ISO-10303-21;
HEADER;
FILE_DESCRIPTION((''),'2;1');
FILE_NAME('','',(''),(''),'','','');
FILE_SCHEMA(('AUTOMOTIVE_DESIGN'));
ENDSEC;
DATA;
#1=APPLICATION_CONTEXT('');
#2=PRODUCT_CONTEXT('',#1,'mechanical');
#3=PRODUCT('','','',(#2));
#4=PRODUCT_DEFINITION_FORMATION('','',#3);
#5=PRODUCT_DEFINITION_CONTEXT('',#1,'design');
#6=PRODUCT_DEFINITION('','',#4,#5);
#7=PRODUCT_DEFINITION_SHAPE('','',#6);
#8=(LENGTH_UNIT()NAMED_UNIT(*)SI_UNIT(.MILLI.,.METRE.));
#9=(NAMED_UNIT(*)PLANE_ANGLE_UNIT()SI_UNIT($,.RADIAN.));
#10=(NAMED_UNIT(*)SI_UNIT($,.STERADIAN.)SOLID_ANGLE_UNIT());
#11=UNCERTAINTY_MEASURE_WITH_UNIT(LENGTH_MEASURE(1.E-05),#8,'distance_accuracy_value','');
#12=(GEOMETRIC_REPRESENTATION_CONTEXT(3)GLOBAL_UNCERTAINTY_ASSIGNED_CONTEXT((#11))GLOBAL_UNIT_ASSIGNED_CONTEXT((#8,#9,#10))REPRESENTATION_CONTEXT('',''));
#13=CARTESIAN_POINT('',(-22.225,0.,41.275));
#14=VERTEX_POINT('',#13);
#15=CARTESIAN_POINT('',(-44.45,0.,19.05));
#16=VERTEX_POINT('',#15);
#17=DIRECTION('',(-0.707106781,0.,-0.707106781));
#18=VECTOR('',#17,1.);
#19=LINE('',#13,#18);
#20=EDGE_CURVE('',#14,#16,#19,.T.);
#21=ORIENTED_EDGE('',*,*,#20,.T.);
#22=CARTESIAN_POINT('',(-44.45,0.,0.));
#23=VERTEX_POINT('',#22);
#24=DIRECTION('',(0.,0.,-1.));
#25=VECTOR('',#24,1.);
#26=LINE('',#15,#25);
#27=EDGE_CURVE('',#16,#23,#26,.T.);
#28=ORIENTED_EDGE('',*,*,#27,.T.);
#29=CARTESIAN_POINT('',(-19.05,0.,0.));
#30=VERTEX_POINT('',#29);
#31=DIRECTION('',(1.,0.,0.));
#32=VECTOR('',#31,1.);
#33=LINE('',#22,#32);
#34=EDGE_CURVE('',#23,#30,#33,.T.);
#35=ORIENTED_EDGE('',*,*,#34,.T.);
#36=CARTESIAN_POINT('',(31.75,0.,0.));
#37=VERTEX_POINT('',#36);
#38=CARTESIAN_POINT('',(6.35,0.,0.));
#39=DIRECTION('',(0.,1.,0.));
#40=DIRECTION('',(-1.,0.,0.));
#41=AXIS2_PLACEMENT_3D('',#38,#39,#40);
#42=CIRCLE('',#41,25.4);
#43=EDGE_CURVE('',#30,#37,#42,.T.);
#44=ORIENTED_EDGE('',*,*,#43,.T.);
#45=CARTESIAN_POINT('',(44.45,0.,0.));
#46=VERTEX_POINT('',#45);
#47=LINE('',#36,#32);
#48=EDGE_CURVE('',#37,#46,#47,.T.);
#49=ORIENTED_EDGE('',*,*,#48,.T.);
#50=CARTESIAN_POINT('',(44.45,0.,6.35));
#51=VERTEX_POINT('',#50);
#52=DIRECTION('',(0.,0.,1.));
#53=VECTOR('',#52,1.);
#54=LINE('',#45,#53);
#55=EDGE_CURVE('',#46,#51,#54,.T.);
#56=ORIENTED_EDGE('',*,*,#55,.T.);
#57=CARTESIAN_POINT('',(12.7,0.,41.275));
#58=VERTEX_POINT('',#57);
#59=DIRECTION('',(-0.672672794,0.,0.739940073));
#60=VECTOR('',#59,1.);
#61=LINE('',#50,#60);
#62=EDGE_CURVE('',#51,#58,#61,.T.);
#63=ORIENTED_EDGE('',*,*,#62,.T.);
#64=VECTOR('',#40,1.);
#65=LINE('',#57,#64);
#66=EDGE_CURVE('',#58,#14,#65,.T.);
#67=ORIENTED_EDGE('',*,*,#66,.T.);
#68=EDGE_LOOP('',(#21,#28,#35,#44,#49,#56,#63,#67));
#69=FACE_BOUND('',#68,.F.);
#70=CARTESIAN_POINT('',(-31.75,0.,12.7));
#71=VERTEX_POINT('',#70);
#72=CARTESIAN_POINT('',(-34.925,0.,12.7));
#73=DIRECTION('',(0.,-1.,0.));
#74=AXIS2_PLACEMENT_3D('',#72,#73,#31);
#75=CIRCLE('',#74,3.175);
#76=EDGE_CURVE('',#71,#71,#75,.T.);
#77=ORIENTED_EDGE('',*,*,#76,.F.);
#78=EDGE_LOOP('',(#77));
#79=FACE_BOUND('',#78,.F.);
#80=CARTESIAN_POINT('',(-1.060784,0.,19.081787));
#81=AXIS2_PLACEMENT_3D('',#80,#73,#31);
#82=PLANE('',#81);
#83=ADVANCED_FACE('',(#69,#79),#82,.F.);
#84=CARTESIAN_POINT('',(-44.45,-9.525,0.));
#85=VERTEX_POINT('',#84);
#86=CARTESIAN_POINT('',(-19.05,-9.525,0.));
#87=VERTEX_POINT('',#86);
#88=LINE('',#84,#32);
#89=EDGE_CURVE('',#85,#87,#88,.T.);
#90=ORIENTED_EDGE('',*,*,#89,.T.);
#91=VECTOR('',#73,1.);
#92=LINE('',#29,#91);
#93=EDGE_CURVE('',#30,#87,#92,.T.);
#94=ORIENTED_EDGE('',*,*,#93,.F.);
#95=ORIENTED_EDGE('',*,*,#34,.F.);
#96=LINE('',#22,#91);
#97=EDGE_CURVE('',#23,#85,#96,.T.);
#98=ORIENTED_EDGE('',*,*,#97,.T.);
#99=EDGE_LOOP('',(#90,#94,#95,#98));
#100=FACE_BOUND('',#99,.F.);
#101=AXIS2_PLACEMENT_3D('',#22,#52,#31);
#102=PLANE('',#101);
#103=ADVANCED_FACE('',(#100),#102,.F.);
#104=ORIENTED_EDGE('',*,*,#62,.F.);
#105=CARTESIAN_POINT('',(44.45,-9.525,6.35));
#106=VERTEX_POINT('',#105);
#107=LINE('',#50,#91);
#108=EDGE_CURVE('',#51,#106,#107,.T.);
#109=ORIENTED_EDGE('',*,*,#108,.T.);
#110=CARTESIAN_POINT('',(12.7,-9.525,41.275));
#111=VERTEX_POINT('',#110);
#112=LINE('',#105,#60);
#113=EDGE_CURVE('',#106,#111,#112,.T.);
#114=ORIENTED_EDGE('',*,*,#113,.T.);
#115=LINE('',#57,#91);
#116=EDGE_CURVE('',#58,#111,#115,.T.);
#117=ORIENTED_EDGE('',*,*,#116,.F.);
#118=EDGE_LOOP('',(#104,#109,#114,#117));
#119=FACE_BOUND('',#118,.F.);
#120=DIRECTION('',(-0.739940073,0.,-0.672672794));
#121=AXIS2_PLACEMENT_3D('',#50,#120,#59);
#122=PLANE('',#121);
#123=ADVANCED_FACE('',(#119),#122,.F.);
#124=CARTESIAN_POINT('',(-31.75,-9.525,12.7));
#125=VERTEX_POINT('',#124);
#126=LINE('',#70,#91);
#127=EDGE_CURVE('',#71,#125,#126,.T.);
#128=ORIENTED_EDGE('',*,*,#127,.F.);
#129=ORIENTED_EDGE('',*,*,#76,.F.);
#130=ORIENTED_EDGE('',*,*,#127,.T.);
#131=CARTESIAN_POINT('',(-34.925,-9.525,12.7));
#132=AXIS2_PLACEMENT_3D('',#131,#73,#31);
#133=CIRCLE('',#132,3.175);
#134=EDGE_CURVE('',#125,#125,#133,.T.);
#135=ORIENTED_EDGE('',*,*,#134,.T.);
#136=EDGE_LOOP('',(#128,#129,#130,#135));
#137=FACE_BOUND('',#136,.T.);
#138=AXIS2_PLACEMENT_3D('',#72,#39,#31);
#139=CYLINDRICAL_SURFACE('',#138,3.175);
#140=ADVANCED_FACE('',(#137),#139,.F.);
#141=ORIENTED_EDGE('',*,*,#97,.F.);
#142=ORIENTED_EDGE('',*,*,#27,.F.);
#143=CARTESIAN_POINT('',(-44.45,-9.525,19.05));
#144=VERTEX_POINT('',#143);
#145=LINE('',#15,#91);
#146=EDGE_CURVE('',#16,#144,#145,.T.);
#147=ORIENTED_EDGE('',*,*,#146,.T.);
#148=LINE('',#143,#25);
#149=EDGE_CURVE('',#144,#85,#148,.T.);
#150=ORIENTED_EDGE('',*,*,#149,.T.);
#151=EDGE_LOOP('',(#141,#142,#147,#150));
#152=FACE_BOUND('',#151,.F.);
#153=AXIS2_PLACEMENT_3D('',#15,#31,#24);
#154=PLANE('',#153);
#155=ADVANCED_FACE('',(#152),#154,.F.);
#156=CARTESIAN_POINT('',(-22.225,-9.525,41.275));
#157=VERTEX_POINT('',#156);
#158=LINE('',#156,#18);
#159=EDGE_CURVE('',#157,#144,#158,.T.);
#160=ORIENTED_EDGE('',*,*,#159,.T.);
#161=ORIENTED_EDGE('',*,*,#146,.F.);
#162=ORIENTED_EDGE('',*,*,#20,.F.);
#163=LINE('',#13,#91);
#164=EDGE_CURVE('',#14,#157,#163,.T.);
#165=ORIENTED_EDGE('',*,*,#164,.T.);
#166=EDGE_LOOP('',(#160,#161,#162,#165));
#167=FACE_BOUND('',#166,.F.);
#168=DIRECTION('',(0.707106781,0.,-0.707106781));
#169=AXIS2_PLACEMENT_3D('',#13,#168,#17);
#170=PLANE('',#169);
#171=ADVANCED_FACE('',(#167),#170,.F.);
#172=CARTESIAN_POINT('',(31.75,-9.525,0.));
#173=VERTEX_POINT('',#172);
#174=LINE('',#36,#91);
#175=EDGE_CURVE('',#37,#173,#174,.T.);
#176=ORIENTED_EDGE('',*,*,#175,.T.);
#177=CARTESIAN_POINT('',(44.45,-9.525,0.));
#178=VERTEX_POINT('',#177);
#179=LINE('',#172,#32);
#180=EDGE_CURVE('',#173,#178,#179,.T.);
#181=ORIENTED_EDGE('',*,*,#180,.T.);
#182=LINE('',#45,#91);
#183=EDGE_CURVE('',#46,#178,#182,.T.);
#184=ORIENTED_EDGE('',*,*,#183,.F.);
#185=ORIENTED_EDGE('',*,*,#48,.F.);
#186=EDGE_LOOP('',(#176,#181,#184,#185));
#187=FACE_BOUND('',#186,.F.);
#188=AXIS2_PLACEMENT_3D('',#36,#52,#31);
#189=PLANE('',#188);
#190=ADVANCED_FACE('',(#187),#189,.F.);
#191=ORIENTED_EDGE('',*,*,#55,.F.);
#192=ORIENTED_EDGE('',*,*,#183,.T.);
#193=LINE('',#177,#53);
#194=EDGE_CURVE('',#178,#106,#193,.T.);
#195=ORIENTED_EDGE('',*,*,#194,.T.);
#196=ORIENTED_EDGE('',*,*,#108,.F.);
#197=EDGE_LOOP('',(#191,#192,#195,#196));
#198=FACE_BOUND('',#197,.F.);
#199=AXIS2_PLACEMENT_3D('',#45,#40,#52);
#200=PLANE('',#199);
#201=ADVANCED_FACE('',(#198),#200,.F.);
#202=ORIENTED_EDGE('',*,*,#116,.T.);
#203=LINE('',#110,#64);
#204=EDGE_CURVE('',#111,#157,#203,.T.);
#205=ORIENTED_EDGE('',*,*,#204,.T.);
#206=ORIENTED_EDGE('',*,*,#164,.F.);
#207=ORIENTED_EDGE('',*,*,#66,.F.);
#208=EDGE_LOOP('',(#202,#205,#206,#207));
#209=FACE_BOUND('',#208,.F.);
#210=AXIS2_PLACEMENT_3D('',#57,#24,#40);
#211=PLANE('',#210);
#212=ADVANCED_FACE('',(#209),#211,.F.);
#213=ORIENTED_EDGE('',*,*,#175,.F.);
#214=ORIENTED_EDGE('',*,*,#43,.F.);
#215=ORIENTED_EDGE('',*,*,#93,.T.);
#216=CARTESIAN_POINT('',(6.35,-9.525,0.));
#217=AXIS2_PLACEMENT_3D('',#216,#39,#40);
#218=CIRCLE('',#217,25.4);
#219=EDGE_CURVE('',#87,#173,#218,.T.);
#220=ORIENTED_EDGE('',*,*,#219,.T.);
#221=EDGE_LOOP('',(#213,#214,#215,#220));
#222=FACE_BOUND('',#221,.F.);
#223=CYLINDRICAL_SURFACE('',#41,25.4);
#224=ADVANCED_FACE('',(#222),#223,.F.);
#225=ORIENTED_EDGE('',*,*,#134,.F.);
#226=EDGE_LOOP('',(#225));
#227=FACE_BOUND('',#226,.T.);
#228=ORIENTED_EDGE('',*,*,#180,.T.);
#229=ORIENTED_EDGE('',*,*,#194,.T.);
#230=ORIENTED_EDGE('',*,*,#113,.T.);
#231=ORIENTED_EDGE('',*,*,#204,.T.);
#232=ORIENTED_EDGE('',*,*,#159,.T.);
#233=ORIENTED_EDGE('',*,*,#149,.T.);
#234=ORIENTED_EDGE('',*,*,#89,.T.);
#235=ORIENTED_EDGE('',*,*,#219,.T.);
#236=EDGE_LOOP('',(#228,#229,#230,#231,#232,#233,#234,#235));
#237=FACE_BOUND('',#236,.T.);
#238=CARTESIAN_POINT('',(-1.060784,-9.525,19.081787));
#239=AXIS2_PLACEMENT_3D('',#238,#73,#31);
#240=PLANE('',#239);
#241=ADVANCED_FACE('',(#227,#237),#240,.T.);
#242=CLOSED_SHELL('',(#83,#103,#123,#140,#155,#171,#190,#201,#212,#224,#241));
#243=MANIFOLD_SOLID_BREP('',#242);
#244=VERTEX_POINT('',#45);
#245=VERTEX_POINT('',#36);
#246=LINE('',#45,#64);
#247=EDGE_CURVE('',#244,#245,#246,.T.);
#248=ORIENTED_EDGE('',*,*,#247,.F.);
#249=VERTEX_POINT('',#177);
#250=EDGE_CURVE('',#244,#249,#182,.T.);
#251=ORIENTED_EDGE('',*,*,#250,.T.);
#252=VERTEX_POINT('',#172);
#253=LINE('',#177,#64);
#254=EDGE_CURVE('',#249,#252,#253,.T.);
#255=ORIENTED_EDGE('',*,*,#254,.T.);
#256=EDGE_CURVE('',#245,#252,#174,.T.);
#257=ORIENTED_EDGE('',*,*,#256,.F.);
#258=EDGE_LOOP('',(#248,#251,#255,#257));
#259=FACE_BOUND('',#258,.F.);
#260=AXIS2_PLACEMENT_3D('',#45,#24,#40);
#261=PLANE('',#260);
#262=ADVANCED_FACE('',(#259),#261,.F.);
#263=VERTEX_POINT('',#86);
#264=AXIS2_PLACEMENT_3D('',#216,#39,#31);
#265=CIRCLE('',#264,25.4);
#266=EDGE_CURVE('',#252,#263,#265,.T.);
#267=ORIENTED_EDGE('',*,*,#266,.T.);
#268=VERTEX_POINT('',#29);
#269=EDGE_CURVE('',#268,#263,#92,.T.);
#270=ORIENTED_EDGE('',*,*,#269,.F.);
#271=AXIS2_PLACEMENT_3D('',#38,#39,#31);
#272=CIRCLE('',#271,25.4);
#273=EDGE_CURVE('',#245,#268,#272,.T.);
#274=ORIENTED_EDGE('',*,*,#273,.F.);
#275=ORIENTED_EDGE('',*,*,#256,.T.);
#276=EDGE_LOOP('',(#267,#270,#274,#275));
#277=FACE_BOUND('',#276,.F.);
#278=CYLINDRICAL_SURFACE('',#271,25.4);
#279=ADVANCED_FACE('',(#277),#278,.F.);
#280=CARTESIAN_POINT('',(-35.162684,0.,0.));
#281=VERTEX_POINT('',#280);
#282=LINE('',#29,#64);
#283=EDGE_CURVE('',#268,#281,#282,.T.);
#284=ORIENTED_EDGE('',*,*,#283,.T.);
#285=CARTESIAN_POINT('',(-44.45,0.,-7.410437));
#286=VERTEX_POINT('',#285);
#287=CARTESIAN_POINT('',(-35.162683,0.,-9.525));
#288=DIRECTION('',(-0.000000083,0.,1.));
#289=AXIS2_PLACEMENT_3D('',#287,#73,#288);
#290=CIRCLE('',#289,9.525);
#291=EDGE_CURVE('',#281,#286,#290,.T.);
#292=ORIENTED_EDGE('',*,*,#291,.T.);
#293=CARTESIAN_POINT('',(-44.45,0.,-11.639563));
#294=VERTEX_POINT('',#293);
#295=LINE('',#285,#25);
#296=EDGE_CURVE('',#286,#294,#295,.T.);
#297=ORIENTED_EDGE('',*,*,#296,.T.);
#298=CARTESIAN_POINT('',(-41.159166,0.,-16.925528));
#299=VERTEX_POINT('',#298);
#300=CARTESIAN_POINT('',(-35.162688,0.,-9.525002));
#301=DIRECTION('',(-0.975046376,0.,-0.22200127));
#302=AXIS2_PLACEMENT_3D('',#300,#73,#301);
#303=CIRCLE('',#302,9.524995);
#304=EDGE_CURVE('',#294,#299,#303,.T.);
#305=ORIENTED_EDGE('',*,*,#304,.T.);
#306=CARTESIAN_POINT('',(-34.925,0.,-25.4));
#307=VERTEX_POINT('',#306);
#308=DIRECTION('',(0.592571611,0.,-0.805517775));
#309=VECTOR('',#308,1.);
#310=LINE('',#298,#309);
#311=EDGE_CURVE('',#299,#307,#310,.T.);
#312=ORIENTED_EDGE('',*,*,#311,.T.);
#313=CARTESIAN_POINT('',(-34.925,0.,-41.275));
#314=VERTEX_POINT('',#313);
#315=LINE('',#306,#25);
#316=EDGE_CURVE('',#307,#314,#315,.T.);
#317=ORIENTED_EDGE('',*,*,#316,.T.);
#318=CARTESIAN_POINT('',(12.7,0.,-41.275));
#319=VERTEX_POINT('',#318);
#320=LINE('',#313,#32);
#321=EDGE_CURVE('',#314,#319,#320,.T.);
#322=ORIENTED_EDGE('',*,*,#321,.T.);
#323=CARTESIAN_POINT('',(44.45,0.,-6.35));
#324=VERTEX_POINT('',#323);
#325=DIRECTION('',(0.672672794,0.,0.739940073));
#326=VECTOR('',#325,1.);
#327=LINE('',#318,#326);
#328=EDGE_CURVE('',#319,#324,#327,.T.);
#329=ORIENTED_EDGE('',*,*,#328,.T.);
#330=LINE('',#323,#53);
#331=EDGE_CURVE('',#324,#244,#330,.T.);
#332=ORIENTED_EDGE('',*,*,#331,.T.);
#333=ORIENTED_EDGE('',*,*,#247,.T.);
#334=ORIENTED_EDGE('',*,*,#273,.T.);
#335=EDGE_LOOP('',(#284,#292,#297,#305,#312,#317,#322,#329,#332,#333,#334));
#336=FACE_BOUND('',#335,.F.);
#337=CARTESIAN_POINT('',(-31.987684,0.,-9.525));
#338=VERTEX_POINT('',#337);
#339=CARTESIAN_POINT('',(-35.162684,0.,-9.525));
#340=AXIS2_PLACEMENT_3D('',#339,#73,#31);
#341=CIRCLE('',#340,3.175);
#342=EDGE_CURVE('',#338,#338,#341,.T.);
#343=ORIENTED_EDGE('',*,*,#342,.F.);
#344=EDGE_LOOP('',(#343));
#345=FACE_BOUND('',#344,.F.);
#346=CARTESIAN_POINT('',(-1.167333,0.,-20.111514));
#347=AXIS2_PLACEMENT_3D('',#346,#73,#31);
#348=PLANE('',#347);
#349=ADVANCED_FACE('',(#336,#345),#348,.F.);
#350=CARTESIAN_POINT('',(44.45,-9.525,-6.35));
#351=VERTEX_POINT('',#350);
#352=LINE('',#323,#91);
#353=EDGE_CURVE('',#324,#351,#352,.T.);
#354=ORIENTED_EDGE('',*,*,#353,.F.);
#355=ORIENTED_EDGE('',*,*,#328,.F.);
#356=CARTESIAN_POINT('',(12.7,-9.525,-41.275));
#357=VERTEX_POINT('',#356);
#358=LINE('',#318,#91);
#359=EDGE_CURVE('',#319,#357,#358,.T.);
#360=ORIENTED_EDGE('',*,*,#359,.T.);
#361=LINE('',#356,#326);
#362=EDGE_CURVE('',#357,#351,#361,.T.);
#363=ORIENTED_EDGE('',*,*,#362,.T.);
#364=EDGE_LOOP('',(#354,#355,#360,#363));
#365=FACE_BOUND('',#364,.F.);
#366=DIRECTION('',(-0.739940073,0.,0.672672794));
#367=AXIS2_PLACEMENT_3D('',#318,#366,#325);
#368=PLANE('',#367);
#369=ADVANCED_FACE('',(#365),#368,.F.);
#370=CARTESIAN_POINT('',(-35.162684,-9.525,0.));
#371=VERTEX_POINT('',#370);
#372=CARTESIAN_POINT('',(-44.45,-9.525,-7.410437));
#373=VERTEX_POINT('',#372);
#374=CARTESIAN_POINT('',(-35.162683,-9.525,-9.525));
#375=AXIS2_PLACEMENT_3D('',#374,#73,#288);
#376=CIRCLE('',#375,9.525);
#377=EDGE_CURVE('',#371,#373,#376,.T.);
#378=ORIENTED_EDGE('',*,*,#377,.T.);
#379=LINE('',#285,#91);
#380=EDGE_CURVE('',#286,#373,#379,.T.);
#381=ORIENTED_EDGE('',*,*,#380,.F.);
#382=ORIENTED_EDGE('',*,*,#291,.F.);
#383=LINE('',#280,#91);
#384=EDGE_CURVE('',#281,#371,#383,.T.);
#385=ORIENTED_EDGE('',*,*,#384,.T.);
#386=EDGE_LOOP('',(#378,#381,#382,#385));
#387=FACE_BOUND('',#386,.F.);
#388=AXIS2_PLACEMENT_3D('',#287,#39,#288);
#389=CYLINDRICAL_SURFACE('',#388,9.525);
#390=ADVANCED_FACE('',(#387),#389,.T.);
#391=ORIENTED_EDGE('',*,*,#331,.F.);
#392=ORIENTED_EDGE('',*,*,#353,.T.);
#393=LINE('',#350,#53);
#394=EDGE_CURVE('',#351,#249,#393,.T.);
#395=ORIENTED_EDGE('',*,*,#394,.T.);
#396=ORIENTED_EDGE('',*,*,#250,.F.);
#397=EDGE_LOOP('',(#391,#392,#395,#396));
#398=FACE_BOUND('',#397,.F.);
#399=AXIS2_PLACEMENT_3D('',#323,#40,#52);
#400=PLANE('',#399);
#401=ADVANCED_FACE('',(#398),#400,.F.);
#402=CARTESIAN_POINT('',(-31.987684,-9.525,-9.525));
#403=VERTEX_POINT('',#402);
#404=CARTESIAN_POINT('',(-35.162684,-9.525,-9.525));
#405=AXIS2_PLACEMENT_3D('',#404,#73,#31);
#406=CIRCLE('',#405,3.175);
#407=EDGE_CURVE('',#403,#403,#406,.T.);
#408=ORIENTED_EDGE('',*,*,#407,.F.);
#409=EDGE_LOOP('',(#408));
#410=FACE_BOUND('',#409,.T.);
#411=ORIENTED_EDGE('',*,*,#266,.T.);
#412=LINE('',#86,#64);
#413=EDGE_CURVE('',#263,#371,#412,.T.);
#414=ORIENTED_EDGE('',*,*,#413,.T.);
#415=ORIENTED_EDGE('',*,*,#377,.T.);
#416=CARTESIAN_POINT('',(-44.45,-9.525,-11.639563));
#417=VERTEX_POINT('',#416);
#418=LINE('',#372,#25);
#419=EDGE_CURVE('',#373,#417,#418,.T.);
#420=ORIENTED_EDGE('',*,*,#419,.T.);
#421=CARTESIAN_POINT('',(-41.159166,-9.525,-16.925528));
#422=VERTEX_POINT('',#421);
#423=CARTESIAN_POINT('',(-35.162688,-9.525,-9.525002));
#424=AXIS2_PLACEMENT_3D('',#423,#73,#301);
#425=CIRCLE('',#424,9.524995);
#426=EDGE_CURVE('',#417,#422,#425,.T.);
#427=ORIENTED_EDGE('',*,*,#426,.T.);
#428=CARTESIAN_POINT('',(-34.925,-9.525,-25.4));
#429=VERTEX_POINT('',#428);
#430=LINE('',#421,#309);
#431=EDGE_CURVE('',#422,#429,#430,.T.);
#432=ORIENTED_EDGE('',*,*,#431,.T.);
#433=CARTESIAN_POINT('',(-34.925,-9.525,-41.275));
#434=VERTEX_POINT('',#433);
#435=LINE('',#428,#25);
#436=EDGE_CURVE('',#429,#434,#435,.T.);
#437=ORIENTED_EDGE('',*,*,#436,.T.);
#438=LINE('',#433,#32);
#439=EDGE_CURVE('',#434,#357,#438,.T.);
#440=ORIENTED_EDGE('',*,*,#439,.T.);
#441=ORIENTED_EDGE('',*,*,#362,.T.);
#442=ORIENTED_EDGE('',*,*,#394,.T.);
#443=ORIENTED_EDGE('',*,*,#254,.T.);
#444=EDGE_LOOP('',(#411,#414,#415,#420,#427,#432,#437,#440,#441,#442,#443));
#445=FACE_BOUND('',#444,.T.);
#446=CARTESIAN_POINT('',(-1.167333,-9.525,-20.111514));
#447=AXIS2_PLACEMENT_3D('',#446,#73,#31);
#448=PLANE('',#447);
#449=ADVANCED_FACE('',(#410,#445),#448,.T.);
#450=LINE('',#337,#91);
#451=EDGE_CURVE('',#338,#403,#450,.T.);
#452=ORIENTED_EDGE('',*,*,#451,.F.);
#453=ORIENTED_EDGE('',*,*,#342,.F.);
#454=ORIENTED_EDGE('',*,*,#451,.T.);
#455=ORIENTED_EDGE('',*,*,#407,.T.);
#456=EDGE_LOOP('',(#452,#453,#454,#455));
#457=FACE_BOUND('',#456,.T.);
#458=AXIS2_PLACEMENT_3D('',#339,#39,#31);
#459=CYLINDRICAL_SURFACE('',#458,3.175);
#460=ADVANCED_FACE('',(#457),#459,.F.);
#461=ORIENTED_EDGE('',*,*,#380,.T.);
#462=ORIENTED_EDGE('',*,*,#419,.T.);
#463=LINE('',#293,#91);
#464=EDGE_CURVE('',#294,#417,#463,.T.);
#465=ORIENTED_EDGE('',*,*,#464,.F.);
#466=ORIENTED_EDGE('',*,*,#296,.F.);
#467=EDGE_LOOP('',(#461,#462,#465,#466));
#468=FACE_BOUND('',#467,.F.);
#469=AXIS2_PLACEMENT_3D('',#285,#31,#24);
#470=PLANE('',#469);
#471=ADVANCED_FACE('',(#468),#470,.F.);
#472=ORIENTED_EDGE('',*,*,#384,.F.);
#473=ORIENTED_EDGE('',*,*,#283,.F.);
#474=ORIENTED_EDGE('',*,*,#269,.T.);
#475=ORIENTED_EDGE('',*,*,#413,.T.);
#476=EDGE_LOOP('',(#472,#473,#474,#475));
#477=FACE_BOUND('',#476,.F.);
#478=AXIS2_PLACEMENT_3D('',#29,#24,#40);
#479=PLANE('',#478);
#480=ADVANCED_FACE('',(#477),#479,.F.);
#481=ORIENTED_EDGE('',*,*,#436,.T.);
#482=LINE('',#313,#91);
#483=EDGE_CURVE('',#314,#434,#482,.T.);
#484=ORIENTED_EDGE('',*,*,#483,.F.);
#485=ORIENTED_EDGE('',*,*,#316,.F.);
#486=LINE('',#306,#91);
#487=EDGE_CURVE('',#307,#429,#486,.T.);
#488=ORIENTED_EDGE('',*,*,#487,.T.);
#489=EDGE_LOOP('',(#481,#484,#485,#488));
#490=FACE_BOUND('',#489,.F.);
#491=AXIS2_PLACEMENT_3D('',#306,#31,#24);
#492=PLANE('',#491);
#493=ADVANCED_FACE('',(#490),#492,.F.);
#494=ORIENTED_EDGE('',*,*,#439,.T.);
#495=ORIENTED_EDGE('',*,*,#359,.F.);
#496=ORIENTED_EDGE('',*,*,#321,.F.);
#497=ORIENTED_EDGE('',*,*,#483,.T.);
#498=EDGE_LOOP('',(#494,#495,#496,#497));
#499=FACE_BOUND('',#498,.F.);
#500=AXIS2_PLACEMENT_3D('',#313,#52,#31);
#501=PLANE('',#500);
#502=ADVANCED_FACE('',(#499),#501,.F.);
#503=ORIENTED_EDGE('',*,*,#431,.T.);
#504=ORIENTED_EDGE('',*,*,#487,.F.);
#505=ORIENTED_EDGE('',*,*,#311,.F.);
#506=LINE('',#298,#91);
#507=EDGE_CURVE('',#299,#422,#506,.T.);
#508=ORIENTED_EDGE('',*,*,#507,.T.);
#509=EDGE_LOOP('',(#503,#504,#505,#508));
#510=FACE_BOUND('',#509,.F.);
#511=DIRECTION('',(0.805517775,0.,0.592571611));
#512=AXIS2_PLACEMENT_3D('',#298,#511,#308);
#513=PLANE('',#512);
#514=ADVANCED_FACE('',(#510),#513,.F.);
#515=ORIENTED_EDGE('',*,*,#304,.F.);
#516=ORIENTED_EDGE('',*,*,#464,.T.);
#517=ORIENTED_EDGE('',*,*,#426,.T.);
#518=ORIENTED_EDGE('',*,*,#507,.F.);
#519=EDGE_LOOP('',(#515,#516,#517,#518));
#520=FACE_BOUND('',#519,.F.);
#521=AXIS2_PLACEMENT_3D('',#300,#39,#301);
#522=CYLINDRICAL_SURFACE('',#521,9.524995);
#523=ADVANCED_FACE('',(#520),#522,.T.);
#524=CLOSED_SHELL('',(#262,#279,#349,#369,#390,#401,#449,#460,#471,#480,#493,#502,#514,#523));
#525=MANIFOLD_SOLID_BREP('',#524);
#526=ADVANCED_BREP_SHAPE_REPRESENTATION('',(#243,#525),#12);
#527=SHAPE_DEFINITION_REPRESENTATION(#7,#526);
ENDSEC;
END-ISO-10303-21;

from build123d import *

# Parameters (mm, degrees)
F0_R     = 3.175
F1_DEPTH = 9.525
F2_DEPTH = 9.525


with BuildPart() as f1:
    # F0 (on Front) → F1 (new body)
    with BuildSketch(Plane.XZ):
        with BuildLine():
            Line((12.7, 41.275), (-22.225, 41.275))
            Line((-22.225, 41.275), (-44.45, 19.05))
            Line((-44.45, 19.05), (-44.45, 0))
            Line((-44.45, 0), (-35.162684, 0))
            Line((-35.162684, 0), (-19.05, 0))
            ThreePointArc((-19.05, 0), (6.35, 25.4), (31.75, 0))
            Line((31.75, 0), (44.45, 0))
            Line((44.45, 0), (44.45, 6.35))
            Line((44.45, 6.35), (12.7, 41.275))
        make_face()
        with Locations((-34.925, 12.7)):
            Circle(F0_R, mode=Mode.SUBTRACT)
    extrude(amount=F1_DEPTH)


with BuildPart() as f2:
    # F0 (on Front) → F2 (new body)
    with BuildSketch(Plane.XZ):
        with BuildLine():
            Line((44.45, -6.35), (44.45, 0))
            Line((44.45, 0), (31.75, 0))
            ThreePointArc((31.75, 0), (6.35, -25.4), (-19.05, 0))
            Line((-19.05, 0), (-35.162684, 0))
            ThreePointArc((-35.162684, 0), (-41.103408, -2.079638), (-44.45, -7.410437))
            Line((-44.45, -7.410437), (-44.45, -11.639563))
            ThreePointArc((-44.45, -11.639563), (-43.24872, -14.559048), (-41.159166, -16.925528))
            Line((-41.159166, -16.925528), (-34.925, -25.4))
            Line((-34.925, -25.4), (-34.925, -41.275))
            Line((-34.925, -41.275), (12.7, -41.275))
            Line((12.7, -41.275), (44.45, -6.35))
        make_face()
        with Locations((-35.162684, -9.525)):
            Circle(F0_R, mode=Mode.SUBTRACT)
    extrude(amount=F2_DEPTH)


solid = Compound([f1.part, f2.part])
